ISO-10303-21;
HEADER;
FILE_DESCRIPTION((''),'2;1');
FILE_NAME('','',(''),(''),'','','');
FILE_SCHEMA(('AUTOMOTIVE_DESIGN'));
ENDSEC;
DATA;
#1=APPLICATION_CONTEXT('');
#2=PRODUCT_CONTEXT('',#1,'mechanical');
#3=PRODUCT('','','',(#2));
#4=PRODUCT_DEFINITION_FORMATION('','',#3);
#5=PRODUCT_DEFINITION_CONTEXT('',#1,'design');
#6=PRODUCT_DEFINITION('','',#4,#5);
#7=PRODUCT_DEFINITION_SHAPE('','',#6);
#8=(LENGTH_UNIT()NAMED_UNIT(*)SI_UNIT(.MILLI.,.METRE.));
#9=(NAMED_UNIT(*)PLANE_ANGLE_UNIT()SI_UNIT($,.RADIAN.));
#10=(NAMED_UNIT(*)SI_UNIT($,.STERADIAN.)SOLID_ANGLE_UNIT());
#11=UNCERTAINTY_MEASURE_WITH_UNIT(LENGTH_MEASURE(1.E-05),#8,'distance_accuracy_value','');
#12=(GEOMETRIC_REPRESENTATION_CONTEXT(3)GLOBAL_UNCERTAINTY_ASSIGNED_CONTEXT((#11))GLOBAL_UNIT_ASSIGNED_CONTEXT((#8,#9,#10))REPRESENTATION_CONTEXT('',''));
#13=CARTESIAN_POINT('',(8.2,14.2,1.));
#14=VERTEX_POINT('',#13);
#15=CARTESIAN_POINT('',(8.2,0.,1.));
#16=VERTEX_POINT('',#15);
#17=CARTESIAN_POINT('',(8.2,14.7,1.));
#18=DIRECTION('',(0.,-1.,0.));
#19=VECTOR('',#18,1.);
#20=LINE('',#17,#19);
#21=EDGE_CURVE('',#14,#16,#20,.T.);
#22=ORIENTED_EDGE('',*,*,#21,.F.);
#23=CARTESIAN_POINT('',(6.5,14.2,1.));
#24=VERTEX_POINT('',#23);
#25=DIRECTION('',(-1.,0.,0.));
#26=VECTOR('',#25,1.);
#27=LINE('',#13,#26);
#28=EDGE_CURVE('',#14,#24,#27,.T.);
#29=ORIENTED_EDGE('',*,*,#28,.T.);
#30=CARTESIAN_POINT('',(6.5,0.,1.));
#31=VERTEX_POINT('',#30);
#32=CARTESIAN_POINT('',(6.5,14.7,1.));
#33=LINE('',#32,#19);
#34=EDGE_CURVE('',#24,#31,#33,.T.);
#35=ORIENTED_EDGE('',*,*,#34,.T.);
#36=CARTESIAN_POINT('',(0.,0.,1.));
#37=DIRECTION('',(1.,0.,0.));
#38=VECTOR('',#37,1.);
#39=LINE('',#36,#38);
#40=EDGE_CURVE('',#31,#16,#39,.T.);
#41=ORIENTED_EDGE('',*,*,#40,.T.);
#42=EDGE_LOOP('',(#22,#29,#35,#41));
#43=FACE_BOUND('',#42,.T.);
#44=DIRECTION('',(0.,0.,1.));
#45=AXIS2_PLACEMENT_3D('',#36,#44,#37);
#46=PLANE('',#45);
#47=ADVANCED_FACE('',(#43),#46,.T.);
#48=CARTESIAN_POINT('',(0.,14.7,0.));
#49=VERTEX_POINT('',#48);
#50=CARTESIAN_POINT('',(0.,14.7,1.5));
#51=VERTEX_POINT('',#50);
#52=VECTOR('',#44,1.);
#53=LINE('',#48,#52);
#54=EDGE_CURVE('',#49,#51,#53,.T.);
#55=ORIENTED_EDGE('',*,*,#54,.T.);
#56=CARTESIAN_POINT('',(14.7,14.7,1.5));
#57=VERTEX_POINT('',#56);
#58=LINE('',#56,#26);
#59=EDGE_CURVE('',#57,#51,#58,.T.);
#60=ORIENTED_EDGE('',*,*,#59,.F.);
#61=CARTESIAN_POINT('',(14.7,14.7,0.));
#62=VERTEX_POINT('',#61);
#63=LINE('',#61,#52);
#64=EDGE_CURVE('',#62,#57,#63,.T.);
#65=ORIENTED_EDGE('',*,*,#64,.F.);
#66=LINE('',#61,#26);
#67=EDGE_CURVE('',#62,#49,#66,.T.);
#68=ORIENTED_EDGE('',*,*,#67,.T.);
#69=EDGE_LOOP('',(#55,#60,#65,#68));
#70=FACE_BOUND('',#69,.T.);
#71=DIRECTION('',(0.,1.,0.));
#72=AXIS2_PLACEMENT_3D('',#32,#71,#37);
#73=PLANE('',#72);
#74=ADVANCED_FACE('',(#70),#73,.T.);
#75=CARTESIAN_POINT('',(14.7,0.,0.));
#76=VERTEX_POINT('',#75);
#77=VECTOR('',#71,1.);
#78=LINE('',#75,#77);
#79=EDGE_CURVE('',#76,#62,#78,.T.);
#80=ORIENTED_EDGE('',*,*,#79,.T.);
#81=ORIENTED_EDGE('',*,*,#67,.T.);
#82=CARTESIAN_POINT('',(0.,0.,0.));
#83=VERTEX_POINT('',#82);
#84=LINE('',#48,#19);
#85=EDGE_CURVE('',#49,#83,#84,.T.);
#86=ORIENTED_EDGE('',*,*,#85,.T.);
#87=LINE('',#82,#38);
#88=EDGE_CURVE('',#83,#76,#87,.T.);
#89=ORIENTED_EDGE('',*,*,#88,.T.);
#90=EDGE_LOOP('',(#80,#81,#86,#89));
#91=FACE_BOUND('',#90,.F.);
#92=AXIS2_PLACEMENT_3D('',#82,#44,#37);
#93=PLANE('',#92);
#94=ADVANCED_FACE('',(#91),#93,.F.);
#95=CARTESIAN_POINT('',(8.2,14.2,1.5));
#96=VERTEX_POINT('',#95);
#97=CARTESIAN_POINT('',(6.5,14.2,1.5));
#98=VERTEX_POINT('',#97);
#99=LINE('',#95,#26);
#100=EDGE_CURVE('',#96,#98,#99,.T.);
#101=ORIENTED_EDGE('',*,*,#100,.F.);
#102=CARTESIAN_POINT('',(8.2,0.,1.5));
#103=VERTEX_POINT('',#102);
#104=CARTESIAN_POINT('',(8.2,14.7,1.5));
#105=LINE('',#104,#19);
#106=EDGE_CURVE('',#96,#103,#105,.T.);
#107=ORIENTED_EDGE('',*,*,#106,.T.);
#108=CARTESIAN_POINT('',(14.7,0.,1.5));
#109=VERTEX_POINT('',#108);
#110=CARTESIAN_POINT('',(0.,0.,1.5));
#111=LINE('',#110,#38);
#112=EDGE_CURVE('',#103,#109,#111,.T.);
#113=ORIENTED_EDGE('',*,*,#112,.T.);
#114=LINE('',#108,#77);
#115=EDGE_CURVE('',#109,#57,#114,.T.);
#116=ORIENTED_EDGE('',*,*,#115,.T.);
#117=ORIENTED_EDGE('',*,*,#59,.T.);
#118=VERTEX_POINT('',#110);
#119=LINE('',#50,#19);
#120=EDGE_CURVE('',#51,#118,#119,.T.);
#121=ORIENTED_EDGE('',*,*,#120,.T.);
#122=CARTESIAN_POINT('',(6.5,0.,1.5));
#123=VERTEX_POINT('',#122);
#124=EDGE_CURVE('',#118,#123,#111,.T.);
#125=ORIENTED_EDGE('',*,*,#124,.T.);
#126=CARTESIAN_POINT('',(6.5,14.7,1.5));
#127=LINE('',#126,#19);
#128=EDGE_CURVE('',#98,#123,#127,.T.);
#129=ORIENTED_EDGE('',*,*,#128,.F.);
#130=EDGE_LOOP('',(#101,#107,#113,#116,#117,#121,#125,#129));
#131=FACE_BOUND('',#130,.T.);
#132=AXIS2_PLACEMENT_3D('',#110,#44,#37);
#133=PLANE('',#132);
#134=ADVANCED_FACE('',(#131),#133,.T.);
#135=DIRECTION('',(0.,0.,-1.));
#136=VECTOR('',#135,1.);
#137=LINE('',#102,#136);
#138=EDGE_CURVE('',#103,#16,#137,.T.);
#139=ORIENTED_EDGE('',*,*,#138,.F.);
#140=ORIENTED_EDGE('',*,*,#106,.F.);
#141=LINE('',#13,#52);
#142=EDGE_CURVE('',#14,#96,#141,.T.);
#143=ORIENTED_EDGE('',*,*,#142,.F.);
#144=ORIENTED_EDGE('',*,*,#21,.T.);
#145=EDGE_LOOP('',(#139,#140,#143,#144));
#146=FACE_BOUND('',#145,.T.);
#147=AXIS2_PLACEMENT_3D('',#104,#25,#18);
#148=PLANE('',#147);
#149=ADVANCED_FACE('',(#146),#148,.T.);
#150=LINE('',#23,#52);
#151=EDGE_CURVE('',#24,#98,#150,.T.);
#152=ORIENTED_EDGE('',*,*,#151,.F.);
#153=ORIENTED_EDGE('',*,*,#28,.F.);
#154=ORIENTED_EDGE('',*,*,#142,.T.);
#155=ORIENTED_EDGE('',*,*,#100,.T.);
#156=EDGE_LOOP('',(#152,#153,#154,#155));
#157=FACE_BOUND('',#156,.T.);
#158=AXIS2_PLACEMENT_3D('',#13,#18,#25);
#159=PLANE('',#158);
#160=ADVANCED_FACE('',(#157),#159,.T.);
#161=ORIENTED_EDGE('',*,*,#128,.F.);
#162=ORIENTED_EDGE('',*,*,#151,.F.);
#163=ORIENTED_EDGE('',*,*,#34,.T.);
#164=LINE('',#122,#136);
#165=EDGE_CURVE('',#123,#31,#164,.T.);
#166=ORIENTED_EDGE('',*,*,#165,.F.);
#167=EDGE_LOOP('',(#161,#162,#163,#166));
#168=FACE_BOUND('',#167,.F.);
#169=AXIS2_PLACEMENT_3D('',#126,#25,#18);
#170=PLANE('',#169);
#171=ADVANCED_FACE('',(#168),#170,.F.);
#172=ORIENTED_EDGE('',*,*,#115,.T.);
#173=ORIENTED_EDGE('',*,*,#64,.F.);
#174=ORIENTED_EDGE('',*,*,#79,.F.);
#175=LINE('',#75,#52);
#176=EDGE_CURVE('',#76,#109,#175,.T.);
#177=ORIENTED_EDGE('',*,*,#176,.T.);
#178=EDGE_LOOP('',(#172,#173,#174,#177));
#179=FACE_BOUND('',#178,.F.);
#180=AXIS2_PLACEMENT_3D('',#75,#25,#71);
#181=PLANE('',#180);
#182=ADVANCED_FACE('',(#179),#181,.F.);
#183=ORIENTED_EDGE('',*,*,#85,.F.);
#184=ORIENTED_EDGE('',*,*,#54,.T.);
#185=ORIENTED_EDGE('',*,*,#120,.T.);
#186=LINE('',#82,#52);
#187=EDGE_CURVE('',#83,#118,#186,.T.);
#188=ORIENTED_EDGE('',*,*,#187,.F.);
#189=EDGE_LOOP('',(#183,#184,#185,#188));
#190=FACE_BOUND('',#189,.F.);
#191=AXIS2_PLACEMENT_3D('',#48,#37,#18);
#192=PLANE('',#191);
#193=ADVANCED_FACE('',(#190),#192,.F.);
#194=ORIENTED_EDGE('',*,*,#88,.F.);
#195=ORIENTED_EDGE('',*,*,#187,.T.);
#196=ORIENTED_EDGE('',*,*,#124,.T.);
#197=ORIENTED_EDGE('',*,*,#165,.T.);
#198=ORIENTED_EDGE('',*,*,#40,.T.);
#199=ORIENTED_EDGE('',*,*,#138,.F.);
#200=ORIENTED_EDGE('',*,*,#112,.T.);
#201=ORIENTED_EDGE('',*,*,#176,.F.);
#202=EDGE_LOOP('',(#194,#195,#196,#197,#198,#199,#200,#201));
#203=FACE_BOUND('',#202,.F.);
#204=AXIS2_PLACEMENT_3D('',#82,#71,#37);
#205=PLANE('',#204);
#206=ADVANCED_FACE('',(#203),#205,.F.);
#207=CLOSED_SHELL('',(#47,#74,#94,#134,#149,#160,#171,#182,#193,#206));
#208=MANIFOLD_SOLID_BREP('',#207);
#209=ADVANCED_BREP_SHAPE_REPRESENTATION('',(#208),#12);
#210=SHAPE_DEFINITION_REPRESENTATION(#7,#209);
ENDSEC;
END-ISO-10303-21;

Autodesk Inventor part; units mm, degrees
ref_plane "YZ Plane" through (0, 0, 0) normal (1, 0, 0) x (0, 1, 0)
ref_plane "XZ Plane" through (0, 0, 0) normal (0, 1, 0) x (-1, 0, 0)
ref_plane "XY Plane" through (0, 0, 0) normal (0, 0, 1) x (1, 0, 0)
sketch "Sketch1" plane through (0, 0, 0) normal (0, 0, 1) x (1, 0, 0)
  line L0 (0, 0) -> (14.7, 0)
  line L1 (14.7, 0) -> (14.7, 14.7)
  line L2 (14.7, 14.7) -> (0, 14.7)
  line L3 (0, 14.7) -> (0, 0)
  dimension "d0" = 14.7
  dimension "d1" = 14.7
extrude "Extrusion1" add sketch "Sketch1" along normal blind 1.5
sketch "Sketch2" plane through (0, 0, 1.5) normal (0, 0, 1) x (1, 0, 0)
  line L0 (0, 0) -> (14.7, 0) projected
  line L1 (14.7, 14.7) -> (0, 14.7) projected
  line L2 (8.2, 14.7) -> (8.2, 0)
  line L3 (6.5, 14.7) -> (6.5, 0)
  dimension "d6" = 1.7
  dimension "d7" = 6.5
extrude "Extrusion2" cut sketch "Sketch2" against normal blind 0.5
sketch "Sketch3" plane through (0, 0, 1) normal (0, 0, 1) x (1, 0, 0)
  line L0 (8.2, 14.7) -> (8.2, 0) projected
  line L1 (6.5, 14.7) -> (8.2, 14.7)
  line L2 (8.2, 14.7) -> (8.2, 14.2)
  line L3 (8.2, 14.2) -> (6.5, 14.2)
  line L4 (6.5, 14.2) -> (6.5, 14.7)
  point P0 (0, 0)
  dimension "d8" = 0.5
extrude "Extrusion3" add sketch "Sketch3" along normal blind 0.5
properties part number "Voorplaat"
